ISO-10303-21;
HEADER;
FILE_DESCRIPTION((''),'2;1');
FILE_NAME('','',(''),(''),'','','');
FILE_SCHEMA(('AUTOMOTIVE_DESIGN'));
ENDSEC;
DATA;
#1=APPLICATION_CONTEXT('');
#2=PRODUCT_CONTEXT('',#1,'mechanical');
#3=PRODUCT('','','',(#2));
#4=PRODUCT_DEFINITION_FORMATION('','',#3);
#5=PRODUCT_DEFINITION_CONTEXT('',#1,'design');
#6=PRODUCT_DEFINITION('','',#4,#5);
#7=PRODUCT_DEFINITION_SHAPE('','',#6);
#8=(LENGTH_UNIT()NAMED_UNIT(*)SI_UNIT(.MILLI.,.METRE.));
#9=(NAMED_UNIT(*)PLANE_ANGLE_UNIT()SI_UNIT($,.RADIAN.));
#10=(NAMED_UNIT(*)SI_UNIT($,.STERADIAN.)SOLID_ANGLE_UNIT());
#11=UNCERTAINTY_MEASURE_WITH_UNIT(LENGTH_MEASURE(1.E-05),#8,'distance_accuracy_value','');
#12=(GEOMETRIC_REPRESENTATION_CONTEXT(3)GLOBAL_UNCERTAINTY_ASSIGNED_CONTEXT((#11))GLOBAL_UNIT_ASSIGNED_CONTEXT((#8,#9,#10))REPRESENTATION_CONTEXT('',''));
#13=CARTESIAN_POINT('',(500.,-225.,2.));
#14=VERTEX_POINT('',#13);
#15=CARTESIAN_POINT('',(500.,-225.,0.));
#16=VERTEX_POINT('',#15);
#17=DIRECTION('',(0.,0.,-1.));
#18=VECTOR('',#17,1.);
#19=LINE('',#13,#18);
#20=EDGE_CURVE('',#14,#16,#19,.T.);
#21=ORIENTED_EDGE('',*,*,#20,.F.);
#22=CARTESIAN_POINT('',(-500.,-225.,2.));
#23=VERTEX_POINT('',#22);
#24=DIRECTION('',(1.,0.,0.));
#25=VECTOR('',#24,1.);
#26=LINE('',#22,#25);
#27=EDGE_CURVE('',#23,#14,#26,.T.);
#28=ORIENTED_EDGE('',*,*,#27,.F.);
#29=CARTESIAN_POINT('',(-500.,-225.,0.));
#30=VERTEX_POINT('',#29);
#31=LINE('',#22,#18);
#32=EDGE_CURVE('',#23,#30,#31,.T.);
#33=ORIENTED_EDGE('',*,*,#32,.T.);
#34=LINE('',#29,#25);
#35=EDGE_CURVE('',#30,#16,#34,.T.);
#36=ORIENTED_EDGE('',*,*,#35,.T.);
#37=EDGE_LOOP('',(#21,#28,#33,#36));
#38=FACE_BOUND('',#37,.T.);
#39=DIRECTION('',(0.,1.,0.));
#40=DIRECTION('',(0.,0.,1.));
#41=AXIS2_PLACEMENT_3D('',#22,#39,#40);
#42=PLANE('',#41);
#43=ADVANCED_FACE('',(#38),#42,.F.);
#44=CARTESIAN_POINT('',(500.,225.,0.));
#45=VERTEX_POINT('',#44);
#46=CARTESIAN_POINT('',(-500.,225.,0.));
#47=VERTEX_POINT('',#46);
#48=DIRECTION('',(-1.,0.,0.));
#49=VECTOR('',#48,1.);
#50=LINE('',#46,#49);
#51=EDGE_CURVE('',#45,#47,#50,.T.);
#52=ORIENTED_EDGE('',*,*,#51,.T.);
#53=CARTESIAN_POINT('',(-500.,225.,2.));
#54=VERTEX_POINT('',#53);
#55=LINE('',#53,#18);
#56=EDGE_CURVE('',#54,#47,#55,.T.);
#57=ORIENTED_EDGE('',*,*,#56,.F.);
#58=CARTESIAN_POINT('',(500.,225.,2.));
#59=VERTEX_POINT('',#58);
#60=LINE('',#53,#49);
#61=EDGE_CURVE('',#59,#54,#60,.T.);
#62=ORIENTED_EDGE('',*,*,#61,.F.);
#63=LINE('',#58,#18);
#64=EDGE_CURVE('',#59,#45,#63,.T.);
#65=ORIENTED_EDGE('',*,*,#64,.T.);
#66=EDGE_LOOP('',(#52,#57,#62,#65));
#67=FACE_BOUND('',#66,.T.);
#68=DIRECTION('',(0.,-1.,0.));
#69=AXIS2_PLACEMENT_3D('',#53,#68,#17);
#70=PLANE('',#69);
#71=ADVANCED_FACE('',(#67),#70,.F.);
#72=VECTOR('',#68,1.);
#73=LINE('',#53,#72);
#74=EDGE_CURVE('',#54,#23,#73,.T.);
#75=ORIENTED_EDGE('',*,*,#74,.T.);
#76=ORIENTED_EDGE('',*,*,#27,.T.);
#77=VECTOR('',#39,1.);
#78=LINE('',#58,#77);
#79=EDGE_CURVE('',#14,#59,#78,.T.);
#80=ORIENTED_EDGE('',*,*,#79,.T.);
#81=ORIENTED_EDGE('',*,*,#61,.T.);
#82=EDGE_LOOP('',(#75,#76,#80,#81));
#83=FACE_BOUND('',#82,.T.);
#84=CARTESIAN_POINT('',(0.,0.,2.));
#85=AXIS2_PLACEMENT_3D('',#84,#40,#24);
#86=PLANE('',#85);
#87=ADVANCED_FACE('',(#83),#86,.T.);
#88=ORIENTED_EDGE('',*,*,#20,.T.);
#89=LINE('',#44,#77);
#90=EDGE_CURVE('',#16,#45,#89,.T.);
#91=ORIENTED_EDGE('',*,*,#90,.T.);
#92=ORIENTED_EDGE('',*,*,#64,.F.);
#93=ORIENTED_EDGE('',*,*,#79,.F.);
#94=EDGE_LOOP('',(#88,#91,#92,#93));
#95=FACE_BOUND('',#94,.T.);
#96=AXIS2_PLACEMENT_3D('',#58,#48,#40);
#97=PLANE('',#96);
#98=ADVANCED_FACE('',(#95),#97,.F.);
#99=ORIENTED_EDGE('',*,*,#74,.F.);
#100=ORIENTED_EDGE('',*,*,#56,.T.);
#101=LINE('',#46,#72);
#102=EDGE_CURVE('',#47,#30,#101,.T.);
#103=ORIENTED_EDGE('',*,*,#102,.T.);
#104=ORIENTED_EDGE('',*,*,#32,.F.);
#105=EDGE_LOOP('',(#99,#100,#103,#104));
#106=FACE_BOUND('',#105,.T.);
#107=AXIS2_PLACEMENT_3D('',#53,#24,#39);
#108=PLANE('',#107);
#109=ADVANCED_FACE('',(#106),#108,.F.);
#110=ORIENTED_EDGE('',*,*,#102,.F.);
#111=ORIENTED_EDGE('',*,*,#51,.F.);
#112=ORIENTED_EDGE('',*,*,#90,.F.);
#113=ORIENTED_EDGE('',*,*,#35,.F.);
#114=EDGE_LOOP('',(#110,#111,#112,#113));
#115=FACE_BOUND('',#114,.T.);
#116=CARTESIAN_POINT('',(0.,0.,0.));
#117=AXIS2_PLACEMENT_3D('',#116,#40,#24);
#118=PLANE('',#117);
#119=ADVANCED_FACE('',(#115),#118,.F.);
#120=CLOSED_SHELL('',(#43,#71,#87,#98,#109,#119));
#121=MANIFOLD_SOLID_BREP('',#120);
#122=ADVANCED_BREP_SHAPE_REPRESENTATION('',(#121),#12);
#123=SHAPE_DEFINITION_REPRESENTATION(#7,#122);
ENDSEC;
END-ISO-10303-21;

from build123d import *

# Parameters (mm, degrees)
SKETCH_1_W      = 1000
SKETCH_1_H      = 450
EXTRUDE_1_DEPTH = 2


with BuildPart() as part:
    # 草图1 → 凸台-拉伸1 (new body)
    with BuildSketch(Plane.XY):
        Rectangle(SKETCH_1_W, SKETCH_1_H)
    extrude(amount=EXTRUDE_1_DEPTH)


solid = part.part
